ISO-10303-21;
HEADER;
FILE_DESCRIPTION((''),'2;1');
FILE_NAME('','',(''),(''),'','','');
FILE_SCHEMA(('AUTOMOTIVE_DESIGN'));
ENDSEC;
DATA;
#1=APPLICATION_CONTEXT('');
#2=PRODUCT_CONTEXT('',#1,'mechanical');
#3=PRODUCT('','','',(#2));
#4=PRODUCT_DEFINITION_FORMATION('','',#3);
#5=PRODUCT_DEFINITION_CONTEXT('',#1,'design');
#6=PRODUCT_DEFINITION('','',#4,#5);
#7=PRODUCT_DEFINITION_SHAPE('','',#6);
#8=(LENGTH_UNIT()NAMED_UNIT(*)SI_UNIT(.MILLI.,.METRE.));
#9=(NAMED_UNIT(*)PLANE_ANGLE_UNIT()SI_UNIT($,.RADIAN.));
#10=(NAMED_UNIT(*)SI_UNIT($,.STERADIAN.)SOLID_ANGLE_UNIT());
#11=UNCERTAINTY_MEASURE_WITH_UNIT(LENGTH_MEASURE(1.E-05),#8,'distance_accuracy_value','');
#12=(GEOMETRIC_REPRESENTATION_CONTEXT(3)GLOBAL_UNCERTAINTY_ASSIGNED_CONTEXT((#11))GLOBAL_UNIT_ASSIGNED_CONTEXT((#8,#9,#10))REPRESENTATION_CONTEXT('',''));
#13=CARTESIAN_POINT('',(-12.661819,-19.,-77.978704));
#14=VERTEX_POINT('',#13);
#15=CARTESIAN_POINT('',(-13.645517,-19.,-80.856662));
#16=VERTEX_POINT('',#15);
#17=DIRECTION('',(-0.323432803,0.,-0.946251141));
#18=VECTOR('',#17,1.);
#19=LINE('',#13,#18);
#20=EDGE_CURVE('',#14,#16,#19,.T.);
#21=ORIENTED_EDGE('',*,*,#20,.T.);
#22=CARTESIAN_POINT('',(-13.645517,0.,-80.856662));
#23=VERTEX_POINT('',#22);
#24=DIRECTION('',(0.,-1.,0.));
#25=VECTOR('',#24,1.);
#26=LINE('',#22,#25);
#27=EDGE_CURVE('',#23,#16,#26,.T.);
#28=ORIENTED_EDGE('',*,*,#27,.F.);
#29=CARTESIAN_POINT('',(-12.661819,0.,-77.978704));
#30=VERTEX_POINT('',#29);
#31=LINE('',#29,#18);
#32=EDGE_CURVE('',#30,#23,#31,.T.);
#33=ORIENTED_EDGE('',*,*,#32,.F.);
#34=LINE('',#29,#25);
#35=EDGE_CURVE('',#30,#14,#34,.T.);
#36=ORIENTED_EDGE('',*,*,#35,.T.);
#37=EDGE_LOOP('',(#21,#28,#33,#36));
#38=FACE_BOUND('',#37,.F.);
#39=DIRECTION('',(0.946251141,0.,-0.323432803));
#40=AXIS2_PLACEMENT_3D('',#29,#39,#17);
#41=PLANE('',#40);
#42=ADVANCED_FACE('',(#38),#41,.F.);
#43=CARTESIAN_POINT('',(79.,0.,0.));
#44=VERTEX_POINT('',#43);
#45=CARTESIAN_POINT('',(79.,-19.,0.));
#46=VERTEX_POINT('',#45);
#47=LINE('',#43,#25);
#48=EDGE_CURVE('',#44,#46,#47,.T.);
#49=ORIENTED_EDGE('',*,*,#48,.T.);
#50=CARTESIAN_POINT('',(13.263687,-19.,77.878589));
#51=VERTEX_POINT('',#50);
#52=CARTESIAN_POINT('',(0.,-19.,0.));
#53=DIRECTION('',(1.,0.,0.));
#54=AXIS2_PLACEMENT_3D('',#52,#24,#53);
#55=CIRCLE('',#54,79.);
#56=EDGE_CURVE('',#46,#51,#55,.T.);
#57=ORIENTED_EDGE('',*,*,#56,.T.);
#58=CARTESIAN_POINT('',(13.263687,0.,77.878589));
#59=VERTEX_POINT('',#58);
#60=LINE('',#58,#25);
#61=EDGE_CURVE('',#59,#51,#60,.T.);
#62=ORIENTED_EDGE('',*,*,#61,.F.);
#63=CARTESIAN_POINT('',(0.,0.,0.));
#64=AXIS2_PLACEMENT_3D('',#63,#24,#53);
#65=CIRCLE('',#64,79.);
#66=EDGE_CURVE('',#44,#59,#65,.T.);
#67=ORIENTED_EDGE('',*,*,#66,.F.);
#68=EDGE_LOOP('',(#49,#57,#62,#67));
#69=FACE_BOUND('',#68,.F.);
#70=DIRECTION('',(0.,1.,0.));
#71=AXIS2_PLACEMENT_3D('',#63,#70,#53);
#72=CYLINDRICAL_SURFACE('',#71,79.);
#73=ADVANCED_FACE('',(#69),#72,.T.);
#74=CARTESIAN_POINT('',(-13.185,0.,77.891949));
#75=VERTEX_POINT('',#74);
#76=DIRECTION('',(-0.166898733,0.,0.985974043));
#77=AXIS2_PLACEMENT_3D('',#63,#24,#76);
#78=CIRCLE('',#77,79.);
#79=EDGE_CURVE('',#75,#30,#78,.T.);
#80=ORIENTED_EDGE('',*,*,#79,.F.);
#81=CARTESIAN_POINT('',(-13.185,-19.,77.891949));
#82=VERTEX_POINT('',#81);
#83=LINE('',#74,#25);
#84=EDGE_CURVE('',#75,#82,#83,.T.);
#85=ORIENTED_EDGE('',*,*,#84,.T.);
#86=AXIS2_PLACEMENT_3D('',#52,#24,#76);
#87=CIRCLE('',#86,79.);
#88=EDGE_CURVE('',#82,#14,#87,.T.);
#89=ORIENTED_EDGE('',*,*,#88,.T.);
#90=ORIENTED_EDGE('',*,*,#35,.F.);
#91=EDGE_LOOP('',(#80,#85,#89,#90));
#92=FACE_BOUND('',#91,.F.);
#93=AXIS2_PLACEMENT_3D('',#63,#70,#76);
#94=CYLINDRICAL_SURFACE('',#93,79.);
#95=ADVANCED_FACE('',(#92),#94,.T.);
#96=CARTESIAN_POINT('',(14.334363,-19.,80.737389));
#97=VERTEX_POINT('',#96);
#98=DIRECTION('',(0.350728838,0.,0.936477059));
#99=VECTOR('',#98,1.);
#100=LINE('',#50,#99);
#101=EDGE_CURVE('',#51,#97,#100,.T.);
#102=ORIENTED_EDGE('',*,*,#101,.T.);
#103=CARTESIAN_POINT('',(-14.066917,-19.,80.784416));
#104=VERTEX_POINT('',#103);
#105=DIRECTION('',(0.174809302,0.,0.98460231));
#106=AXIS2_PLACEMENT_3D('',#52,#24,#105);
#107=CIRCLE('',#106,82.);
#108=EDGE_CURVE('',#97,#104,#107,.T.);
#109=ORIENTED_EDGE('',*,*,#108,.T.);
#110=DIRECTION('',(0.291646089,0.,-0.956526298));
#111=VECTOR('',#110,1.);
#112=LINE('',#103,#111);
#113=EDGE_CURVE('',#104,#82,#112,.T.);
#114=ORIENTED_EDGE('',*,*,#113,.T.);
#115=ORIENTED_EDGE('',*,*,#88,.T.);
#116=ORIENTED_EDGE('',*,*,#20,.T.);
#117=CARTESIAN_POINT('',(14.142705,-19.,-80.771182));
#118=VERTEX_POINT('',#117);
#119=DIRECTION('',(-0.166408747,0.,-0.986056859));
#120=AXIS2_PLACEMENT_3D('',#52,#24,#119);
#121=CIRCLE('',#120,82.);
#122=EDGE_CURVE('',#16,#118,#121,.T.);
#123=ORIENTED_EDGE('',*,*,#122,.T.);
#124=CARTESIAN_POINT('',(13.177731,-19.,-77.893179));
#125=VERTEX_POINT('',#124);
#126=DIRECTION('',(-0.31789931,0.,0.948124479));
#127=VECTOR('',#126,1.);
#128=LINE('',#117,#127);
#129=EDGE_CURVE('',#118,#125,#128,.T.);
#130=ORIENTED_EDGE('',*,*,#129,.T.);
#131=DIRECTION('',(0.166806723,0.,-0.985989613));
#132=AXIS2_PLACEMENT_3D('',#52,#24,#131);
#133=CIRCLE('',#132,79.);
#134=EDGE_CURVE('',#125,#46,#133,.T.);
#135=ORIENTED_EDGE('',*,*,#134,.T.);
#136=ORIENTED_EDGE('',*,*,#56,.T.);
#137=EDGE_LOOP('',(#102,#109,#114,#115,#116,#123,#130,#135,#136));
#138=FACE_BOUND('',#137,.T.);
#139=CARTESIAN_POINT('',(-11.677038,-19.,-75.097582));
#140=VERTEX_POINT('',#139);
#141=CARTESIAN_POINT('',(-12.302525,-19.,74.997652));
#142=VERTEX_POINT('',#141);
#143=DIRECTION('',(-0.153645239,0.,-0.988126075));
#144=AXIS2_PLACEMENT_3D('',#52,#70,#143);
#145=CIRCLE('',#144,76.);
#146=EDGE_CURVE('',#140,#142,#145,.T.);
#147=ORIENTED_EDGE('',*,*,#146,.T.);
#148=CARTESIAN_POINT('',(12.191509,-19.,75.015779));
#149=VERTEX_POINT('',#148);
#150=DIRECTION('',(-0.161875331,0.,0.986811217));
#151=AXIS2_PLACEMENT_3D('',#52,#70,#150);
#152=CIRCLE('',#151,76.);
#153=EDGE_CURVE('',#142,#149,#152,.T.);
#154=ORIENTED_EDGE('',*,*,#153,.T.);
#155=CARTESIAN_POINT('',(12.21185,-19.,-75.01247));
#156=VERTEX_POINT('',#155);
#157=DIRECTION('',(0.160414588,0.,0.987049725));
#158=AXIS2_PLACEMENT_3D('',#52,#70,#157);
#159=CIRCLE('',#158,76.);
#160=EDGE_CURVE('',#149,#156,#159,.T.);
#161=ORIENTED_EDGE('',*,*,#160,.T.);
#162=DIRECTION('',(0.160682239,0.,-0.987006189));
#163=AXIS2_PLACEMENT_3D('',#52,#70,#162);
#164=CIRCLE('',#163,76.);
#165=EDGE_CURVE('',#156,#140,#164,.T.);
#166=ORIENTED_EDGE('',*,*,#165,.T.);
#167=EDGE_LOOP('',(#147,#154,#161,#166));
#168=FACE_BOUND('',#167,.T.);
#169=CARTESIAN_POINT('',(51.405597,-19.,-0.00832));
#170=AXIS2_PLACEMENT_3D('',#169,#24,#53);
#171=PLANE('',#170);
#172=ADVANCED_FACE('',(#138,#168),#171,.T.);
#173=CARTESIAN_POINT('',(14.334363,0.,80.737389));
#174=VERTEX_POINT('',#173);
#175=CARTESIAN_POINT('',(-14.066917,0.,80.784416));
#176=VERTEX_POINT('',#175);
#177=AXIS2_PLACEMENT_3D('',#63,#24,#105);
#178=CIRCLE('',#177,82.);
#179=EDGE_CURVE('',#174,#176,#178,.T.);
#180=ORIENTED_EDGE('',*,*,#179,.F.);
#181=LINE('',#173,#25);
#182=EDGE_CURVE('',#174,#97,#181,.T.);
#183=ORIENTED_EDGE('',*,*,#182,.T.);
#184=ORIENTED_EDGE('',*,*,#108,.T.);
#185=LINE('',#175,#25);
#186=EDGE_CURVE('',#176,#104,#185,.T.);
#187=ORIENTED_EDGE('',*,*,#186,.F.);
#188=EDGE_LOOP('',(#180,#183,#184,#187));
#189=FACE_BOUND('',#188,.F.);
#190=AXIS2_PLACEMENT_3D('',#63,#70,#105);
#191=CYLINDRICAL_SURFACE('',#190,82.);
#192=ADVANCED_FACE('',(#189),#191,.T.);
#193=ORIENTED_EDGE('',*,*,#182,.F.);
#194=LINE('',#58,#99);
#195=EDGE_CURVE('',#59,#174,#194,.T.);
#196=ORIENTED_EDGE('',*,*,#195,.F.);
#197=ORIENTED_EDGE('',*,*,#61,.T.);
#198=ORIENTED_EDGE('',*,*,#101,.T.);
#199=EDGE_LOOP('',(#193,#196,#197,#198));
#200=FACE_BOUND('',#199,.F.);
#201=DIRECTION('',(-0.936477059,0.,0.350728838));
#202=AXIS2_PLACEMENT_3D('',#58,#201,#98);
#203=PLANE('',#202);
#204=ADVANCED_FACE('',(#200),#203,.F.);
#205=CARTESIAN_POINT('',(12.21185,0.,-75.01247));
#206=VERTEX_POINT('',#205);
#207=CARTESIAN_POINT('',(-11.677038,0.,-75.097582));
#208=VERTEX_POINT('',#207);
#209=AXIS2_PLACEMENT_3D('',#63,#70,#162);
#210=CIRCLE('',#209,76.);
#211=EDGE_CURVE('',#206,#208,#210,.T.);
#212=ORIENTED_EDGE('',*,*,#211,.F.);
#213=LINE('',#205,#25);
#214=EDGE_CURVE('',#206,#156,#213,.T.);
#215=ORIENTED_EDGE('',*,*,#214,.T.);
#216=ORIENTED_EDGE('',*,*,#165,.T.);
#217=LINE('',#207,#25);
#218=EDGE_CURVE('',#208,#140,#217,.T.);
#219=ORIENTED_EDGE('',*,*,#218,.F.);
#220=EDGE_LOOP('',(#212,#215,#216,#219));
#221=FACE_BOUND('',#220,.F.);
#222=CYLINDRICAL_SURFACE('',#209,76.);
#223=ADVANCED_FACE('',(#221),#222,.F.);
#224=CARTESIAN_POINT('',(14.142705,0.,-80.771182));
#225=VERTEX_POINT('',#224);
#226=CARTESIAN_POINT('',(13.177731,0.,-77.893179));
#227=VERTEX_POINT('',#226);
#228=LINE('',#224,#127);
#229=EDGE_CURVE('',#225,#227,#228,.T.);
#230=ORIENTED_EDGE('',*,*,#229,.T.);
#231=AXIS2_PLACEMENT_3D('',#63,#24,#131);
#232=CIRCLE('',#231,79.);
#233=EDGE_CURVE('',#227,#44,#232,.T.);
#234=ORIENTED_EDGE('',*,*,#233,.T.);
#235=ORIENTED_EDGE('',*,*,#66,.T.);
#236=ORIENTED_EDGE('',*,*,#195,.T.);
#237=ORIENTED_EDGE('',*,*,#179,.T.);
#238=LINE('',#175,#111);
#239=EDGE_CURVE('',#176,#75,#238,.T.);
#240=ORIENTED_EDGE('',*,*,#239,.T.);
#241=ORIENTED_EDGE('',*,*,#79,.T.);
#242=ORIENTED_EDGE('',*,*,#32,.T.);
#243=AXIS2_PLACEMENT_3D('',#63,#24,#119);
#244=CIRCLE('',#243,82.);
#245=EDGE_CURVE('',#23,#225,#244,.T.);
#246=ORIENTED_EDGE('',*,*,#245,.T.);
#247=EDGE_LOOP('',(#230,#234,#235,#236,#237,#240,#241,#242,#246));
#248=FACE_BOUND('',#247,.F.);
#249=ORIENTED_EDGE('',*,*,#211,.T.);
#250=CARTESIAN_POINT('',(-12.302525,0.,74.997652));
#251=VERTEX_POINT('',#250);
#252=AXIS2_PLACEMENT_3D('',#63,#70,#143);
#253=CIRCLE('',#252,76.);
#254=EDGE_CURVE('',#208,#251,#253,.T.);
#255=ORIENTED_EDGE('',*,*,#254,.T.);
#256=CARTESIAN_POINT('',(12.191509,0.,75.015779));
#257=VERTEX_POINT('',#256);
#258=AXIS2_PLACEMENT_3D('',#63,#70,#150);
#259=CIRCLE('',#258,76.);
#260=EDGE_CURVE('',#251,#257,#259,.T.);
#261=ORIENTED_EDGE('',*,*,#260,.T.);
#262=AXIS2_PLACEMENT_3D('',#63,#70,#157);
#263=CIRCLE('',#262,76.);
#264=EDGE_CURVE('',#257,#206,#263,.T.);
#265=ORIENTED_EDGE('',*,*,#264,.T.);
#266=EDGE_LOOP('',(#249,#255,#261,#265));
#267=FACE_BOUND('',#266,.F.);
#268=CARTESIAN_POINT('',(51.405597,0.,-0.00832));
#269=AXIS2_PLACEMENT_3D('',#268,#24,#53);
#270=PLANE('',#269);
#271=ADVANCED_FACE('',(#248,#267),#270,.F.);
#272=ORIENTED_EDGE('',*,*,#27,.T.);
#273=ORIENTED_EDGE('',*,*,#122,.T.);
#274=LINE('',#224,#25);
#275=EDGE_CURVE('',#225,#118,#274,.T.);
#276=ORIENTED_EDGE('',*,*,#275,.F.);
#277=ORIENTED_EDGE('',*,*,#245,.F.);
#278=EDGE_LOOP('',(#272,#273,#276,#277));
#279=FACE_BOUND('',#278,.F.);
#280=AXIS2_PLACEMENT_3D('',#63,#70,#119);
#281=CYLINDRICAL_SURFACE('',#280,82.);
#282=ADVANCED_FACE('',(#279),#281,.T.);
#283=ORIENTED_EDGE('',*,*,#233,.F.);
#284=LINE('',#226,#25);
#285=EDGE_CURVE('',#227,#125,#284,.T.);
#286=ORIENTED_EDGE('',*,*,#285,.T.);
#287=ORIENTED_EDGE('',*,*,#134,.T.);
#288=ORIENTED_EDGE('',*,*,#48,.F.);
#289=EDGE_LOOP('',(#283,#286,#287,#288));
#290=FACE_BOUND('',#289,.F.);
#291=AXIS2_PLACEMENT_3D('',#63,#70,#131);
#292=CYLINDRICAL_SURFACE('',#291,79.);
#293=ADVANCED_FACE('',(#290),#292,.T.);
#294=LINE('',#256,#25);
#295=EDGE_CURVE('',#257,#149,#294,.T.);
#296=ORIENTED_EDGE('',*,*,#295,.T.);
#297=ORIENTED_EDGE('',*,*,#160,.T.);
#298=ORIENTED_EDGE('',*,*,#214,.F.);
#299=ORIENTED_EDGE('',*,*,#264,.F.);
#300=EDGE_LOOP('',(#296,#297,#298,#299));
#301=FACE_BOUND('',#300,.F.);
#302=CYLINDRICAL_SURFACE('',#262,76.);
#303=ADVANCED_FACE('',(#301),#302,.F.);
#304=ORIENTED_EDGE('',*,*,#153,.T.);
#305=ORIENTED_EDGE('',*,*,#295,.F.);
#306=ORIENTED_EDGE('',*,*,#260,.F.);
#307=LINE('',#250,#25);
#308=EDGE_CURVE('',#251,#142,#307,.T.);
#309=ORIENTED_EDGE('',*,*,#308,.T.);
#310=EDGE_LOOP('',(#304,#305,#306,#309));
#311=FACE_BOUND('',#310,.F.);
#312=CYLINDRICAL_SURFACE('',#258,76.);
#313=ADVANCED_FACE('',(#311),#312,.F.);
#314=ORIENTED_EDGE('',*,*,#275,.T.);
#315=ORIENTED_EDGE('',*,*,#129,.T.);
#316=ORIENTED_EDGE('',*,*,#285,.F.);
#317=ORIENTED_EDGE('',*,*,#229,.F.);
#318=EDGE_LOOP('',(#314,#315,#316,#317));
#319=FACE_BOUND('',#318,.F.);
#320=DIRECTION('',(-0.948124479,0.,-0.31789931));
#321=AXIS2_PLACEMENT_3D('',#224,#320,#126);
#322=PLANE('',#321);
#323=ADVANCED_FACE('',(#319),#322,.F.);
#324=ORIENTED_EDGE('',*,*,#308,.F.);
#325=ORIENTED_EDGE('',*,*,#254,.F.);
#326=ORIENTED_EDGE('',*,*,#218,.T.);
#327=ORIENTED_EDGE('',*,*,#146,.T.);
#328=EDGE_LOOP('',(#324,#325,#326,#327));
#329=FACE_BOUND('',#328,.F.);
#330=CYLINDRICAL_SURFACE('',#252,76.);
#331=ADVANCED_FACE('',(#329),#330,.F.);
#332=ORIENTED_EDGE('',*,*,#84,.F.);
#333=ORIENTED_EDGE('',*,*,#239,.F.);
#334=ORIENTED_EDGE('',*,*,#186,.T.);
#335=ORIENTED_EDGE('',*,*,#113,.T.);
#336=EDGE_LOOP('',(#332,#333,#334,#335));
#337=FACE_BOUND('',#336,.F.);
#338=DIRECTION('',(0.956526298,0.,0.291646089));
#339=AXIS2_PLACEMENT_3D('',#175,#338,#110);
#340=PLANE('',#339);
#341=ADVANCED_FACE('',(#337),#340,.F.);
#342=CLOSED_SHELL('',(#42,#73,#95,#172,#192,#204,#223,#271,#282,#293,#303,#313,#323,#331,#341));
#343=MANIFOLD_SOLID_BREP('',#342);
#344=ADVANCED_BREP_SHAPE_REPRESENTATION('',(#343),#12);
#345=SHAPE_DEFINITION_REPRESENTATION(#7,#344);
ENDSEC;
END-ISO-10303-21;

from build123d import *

# Parameters (mm, degrees)
F1_DEPTH = 19


with BuildPart() as f1:
    # F0 (on Front) → F1 (new body)
    with BuildSketch(Plane.XZ):
        with BuildLine():
            ThreePointArc((12.1915086519, 75.0157791187), (57.8902179023, 49.2414730814), (76, 0))
            ThreePointArc((76, 0), (57.8968937502, -49.2336236131), (12.211850156, -75.0124704017))
            Line((12.211850156, -75.0124704017), (13.1777311492, -77.8931794303))
            ThreePointArc((13.1777311492, -77.8931794303), (60.3408682436, -50.9899952893), (79, 0))
            ThreePointArc((79, 0), (60.3689954978, 50.9566912445), (13.2636865167, 77.8785889702))
            Line((13.2636865167, 77.8785889702), (12.1915086519, 75.0157791187))
        make_face()
        with BuildLine():
            ThreePointArc((-12.3025251184, 74.997652468), (-0.0562432914, 75.9999791888), (12.1915086519, 75.0157791187))
            Line((12.1915086519, 75.0157791187), (13.2636865167, 77.8785889702))
            ThreePointArc((13.2636865167, 77.8785889702), (0.0399063848, 78.9999899208), (-13.1849999366, 77.8919493701))
            Line((-13.1849999366, 77.8919493701), (-12.3025251184, 74.997652468))
        make_face()
        with BuildLine():
            Line((13.1777311492, -77.8931794303), (12.211850156, -75.0124704017))
            ThreePointArc((12.211850156, -75.0124704017), (0.2707710363, -75.9995176501), (-11.6770381515, -75.0975817188))
            Line((-11.6770381515, -75.0975817188), (-12.6618185825, -77.9787044659))
            ThreePointArc((-12.6618185825, -77.9787044659), (0.2614767237, -78.9995672768), (13.1777311492, -77.8931794303))
        make_face()
        with BuildLine():
            ThreePointArc((-11.6770381515, -75.0975817188), (-75.9993400961, -0.3167095676), (-12.3025251184, 74.997652468))
            Line((-12.3025251184, 74.997652468), (-13.1849999366, 77.8919493701))
            ThreePointArc((-13.1849999366, 77.8919493701), (-78.9995549906, -0.2651627688), (-12.6618185825, -77.9787044659))
            Line((-12.6618185825, -77.9787044659), (-11.6770381515, -75.0975817188))
        make_face()
        with BuildLine():
            ThreePointArc((-13.1849999366, 77.8919493701), (0.0399063848, 78.9999899208), (13.2636865167, 77.8785889702))
            Line((13.2636865167, 77.8785889702), (14.334362768, 80.7373893808))
            ThreePointArc((14.334362768, 80.7373893808), (0.1357745434, 81.9998875931), (-14.0669166774, 80.7844159179))
            Line((-14.0669166774, 80.7844159179), (-13.1849999366, 77.8919493701))
        make_face()
        with BuildLine():
            Line((14.1427048087, -80.7711823653), (13.1777311492, -77.8931794303))
            ThreePointArc((13.1777311492, -77.8931794303), (0.2614767237, -78.9995672768), (-12.6618185825, -77.9787044659))
            Line((-12.6618185825, -77.9787044659), (-13.6455172747, -80.8566624237))
            ThreePointArc((-13.6455172747, -80.8566624237), (0.2522410971, -81.9996120383), (14.1427048087, -80.7711823653))
        make_face()
    extrude(amount=F1_DEPTH)


solid = f1.part
